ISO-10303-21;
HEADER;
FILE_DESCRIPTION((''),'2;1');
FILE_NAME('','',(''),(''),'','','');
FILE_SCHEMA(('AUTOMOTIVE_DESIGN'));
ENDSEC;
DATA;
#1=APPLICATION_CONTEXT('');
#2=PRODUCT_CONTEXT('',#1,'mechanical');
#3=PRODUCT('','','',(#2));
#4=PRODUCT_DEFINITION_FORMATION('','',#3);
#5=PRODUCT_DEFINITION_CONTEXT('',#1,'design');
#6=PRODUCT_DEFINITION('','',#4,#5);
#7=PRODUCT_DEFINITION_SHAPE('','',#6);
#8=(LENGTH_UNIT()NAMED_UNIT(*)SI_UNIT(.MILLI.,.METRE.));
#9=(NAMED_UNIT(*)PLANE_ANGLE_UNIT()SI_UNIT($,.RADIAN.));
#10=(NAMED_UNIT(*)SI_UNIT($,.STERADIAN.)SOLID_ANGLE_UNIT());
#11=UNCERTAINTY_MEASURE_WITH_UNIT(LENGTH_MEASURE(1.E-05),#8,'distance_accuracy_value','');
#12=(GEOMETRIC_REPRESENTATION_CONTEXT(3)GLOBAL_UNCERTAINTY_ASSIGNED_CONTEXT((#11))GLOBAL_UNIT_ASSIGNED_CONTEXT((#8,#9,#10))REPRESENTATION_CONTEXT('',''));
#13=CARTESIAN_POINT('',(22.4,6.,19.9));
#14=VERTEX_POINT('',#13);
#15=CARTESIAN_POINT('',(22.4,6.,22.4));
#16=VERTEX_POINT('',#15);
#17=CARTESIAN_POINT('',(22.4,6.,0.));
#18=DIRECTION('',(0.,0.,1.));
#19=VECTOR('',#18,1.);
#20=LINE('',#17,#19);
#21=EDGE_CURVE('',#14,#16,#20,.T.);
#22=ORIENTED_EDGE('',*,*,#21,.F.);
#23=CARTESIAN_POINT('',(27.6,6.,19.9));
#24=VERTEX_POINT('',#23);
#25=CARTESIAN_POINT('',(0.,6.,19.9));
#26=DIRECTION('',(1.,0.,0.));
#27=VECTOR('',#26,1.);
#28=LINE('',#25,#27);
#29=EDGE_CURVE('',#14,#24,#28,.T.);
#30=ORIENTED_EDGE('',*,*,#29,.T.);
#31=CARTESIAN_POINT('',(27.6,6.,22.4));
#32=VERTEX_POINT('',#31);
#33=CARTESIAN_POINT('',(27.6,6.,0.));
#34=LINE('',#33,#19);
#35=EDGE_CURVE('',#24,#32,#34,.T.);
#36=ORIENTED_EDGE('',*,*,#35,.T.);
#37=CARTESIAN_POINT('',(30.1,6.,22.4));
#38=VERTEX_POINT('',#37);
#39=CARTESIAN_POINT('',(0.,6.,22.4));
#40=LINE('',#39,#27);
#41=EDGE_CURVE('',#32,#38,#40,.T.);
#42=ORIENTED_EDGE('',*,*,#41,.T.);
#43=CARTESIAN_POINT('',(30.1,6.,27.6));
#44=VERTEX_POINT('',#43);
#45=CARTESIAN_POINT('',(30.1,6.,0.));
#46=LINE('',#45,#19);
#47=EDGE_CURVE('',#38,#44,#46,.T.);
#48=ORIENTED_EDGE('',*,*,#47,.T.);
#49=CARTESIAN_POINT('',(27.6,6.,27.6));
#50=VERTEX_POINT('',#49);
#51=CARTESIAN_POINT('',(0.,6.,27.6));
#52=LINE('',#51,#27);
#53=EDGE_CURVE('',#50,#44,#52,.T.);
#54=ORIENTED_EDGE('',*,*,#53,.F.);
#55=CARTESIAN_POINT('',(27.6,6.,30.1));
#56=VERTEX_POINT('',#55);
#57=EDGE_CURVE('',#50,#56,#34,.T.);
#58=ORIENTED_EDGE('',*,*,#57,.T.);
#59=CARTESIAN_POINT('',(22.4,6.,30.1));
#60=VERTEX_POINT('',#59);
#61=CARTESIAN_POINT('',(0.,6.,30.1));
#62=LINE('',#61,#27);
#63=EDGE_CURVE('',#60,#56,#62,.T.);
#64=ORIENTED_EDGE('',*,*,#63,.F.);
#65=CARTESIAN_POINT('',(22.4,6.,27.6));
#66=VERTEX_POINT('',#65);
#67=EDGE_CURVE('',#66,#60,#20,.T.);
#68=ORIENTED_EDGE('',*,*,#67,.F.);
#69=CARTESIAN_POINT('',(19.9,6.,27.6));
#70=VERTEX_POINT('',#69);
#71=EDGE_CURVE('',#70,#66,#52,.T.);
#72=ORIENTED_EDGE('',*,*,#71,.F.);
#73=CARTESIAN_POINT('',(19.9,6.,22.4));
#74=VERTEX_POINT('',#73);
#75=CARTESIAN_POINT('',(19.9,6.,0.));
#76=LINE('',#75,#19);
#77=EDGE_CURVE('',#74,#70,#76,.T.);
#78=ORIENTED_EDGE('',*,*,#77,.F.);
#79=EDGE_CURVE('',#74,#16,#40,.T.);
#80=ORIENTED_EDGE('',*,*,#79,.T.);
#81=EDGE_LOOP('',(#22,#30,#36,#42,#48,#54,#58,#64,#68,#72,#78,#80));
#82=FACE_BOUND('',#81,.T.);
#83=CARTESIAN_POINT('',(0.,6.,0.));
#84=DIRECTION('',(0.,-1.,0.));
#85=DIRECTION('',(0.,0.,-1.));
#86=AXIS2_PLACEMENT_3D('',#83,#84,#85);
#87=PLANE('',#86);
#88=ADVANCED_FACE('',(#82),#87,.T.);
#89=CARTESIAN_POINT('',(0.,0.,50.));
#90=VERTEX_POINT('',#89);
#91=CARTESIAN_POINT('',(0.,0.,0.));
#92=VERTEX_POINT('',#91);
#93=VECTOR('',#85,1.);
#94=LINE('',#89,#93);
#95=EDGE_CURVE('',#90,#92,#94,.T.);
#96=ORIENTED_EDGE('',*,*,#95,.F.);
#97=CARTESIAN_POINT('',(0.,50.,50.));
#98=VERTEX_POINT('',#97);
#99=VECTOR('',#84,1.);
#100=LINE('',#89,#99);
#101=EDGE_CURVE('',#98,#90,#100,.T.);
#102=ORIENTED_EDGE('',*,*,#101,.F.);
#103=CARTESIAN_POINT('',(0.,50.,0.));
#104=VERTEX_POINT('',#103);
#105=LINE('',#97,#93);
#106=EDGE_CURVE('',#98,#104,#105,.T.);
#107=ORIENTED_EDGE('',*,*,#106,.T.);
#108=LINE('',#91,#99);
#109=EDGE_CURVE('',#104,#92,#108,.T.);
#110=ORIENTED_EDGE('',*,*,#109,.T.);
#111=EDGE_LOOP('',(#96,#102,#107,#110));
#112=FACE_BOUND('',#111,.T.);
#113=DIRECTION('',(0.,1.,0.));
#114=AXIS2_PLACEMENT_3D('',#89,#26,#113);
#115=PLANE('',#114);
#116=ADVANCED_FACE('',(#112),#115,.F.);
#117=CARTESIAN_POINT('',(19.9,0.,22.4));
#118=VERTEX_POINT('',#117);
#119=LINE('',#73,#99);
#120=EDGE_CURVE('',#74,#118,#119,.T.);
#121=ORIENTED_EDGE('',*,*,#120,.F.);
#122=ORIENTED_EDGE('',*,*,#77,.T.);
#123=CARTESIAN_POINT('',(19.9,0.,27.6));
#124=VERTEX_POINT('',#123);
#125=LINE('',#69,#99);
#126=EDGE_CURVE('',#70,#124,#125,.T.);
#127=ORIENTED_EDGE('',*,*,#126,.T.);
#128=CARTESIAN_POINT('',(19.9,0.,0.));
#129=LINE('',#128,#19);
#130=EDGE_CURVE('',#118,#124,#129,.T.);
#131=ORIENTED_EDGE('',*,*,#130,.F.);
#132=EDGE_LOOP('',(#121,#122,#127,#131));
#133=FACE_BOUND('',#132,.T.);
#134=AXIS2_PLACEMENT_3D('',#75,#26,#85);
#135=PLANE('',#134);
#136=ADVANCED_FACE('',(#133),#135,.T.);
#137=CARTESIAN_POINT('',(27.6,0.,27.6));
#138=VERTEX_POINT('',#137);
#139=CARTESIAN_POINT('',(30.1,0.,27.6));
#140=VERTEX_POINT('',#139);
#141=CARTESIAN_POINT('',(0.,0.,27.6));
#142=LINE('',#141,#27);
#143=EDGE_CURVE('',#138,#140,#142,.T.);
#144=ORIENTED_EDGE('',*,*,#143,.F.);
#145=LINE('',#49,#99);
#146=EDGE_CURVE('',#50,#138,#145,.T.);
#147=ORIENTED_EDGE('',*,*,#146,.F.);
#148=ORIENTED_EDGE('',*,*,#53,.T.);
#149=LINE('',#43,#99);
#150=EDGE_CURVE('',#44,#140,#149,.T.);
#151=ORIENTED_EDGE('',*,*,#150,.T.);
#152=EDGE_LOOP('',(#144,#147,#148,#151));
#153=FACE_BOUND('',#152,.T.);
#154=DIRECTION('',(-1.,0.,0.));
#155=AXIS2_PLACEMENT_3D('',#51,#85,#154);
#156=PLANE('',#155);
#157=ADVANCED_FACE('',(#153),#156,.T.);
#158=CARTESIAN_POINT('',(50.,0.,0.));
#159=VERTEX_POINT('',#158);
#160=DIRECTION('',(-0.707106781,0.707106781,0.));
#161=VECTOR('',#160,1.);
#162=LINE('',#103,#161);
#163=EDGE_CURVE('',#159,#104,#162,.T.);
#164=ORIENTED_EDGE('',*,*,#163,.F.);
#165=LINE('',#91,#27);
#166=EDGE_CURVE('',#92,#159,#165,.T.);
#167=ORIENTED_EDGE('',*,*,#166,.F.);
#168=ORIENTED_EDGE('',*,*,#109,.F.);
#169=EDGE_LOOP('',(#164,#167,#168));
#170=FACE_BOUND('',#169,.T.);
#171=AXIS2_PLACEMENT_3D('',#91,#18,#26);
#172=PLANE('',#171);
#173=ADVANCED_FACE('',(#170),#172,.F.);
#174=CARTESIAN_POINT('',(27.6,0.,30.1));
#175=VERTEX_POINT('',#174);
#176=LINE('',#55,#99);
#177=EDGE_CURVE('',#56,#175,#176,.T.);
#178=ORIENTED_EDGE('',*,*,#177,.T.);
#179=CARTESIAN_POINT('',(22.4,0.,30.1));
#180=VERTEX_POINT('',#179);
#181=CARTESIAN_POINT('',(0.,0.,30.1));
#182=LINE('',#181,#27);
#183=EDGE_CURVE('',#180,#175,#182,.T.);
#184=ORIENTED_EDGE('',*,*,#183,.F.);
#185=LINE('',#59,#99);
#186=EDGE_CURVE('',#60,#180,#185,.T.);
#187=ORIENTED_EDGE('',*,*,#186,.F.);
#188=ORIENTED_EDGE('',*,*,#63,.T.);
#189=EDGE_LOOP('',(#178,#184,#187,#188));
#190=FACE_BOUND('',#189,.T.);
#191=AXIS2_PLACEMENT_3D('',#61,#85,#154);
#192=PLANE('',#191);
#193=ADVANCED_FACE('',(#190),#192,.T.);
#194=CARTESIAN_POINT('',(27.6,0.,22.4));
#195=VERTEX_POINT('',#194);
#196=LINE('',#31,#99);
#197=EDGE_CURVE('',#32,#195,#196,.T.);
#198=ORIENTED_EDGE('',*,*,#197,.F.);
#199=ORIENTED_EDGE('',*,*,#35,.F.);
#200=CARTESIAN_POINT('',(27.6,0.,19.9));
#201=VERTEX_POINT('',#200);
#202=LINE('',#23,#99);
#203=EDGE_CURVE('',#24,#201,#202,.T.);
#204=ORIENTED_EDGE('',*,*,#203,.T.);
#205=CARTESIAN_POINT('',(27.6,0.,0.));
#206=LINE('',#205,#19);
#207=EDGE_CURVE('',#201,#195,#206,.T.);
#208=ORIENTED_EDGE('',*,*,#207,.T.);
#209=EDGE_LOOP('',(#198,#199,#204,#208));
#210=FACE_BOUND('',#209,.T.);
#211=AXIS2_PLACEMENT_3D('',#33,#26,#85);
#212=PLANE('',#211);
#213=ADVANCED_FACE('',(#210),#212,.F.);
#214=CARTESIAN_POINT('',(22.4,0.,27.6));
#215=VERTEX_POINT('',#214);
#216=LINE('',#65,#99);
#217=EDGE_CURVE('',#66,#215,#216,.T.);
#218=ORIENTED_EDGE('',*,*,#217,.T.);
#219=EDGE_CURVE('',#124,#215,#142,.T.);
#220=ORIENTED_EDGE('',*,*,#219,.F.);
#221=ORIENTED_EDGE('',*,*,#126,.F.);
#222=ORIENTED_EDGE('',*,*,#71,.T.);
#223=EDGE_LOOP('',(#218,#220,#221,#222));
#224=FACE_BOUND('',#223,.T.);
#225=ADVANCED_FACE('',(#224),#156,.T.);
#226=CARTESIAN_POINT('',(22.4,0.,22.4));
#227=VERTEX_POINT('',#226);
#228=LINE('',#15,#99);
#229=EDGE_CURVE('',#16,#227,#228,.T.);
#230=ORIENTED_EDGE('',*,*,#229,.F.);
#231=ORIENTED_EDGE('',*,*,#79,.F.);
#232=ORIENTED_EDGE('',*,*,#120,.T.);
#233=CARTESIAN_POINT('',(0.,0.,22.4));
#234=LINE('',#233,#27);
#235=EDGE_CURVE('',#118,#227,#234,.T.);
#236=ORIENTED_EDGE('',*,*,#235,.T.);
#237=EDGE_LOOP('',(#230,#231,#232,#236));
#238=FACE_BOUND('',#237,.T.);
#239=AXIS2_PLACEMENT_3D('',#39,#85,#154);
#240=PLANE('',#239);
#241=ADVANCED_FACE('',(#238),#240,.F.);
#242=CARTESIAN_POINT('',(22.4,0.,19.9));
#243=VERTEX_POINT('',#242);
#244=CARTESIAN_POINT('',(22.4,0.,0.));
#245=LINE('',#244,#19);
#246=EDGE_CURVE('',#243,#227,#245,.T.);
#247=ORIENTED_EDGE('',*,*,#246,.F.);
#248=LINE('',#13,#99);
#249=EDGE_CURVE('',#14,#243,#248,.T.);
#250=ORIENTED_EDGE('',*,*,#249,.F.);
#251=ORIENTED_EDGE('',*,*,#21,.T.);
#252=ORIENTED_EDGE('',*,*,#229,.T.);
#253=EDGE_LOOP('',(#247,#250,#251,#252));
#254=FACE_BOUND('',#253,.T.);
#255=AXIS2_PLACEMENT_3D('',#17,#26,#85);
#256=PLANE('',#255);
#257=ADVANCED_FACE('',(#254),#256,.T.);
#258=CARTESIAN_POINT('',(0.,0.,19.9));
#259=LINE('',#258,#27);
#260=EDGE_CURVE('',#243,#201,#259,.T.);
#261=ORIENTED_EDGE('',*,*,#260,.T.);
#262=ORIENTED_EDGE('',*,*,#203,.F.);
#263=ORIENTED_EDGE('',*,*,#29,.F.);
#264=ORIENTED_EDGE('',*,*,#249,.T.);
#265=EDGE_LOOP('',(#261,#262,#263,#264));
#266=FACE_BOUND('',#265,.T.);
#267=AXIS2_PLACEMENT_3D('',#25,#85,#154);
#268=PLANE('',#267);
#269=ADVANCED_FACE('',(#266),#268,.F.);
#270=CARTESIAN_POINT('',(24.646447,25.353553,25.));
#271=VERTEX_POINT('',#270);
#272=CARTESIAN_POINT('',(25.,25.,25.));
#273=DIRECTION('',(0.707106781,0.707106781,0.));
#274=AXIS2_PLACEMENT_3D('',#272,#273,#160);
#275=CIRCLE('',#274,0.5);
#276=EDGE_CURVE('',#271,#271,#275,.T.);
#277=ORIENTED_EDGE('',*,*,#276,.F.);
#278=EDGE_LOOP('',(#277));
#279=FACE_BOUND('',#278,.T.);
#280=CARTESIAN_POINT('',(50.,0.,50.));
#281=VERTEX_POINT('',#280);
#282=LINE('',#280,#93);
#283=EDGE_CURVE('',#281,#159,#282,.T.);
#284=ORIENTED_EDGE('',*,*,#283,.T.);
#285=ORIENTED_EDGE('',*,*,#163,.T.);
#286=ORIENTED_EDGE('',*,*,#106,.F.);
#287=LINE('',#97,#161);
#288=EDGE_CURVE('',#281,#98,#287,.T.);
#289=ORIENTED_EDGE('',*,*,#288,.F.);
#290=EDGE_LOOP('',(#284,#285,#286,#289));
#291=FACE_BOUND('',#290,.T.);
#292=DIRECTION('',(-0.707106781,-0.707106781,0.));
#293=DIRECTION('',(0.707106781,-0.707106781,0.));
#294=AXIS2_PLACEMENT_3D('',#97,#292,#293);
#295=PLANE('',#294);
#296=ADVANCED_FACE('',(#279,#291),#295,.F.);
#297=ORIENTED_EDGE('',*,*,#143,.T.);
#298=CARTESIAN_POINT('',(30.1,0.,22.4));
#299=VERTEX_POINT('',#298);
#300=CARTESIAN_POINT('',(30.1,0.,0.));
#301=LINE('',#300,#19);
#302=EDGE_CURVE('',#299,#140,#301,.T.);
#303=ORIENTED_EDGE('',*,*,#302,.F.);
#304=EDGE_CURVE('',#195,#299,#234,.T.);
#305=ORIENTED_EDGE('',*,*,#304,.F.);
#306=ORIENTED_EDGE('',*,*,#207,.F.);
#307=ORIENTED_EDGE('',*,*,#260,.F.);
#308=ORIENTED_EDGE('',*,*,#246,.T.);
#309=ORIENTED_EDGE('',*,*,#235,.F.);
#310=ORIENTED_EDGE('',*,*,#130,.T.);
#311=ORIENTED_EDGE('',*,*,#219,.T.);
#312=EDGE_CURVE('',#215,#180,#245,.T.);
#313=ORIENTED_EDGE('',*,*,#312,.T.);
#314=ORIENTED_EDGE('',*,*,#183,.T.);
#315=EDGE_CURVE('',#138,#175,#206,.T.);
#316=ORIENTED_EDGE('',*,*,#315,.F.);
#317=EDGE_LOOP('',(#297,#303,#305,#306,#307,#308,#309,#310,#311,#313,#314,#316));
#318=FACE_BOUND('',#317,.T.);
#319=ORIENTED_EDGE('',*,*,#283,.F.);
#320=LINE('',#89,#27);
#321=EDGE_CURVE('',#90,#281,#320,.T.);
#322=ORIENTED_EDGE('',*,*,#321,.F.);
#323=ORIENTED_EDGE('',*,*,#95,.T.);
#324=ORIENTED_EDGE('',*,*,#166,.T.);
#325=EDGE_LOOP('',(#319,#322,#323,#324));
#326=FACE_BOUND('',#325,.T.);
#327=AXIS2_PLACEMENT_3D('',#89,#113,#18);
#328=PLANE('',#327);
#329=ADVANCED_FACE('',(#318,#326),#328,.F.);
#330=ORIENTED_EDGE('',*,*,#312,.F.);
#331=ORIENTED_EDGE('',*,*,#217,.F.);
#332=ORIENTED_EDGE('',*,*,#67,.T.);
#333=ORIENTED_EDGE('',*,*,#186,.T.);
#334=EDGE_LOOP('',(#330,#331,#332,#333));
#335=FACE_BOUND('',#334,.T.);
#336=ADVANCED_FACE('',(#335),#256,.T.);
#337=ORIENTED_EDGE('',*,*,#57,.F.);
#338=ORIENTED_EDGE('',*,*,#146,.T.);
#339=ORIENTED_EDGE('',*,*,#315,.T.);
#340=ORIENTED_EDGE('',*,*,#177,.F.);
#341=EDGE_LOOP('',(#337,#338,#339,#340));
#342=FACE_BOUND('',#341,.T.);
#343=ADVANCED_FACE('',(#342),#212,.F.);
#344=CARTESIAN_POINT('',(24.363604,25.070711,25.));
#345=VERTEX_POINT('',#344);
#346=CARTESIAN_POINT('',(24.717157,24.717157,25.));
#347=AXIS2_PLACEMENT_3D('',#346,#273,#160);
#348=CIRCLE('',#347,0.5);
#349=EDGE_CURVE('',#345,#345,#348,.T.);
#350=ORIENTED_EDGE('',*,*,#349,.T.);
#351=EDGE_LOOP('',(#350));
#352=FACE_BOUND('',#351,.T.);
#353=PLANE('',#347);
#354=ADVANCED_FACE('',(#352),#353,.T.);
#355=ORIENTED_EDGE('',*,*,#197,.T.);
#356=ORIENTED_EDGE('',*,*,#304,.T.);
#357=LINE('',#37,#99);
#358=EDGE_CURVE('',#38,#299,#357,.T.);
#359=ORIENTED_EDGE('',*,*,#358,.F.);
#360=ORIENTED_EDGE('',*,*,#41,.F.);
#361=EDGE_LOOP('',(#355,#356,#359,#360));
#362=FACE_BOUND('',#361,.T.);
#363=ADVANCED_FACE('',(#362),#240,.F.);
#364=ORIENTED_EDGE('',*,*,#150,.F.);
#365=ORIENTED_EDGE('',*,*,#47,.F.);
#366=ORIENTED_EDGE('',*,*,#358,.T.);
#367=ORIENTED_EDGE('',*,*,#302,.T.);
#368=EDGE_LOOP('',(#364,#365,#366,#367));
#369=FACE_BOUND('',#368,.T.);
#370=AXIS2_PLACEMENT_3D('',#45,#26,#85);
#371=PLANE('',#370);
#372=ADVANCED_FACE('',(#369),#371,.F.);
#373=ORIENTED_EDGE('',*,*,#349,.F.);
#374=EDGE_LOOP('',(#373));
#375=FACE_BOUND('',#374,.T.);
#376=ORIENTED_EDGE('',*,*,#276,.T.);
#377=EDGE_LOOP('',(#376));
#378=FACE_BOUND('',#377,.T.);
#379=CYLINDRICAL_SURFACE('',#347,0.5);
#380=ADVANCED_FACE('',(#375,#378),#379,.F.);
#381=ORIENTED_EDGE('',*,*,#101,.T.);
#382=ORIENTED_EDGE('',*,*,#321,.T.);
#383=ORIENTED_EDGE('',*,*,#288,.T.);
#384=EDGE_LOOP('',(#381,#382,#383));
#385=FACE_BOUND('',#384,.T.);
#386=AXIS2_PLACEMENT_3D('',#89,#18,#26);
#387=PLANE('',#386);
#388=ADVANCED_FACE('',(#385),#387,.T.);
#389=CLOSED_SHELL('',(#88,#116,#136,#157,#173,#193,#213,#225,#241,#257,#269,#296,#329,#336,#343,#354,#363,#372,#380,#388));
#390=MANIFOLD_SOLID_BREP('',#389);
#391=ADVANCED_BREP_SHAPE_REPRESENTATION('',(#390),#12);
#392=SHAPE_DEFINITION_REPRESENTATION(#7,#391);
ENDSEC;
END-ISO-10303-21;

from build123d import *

# Parameters (mm, degrees)
RESSALTO_EXTRUS_O1_DEPTH = 50
ESBO_O2_W                = 5.2
ESBO_O2_H                = 2.5
ESBO_O2_W_2              = 2.5
ESBO_O2_H_2              = 5.2
CORTE_EXTRUS_O1_DEPTH    = 6
ESBO_O3_R                = 0.5
CORTE_EXTRUS_O2_DEPTH    = 0.4


with BuildPart() as part:
    # Esboço1 → Ressalto-extrusão1 (new body)
    with BuildSketch(Plane.XY):
        Polygon((0, 0), (0, 50), (50, 0), align=None)
    extrude(amount=RESSALTO_EXTRUS_O1_DEPTH)

    # Esboço2 → Corte-extrusão1 (cut)
    with BuildSketch(Plane.XZ):
        with Locations((25, 28.85)):
            Rectangle(ESBO_O2_W, ESBO_O2_H)
        with Locations((21.15, 25)):
            Rectangle(ESBO_O2_W_2, ESBO_O2_H_2)
        with Locations((25, 25)):
            Rectangle(ESBO_O2_W, ESBO_O2_H_2)
        with Locations((28.85, 25)):
            Rectangle(ESBO_O2_W_2, ESBO_O2_H_2)
        with Locations((25, 21.15)):
            Rectangle(ESBO_O2_W, ESBO_O2_H)
    extrude(amount=-CORTE_EXTRUS_O1_DEPTH, mode=Mode.SUBTRACT)

    # Esboço3 → Corte-extrusão2 (cut)
    with BuildSketch(Plane(origin=(25, 25, 0), x_dir=(0, 0, -1), z_dir=(0.7071067811865487, 0.7071067811865465, 0))):
        with Locations(Location((-25, 0, 0), (0, 0, 90))):
            Circle(ESBO_O3_R)
    extrude(amount=-CORTE_EXTRUS_O2_DEPTH, mode=Mode.SUBTRACT)


solid = part.part
